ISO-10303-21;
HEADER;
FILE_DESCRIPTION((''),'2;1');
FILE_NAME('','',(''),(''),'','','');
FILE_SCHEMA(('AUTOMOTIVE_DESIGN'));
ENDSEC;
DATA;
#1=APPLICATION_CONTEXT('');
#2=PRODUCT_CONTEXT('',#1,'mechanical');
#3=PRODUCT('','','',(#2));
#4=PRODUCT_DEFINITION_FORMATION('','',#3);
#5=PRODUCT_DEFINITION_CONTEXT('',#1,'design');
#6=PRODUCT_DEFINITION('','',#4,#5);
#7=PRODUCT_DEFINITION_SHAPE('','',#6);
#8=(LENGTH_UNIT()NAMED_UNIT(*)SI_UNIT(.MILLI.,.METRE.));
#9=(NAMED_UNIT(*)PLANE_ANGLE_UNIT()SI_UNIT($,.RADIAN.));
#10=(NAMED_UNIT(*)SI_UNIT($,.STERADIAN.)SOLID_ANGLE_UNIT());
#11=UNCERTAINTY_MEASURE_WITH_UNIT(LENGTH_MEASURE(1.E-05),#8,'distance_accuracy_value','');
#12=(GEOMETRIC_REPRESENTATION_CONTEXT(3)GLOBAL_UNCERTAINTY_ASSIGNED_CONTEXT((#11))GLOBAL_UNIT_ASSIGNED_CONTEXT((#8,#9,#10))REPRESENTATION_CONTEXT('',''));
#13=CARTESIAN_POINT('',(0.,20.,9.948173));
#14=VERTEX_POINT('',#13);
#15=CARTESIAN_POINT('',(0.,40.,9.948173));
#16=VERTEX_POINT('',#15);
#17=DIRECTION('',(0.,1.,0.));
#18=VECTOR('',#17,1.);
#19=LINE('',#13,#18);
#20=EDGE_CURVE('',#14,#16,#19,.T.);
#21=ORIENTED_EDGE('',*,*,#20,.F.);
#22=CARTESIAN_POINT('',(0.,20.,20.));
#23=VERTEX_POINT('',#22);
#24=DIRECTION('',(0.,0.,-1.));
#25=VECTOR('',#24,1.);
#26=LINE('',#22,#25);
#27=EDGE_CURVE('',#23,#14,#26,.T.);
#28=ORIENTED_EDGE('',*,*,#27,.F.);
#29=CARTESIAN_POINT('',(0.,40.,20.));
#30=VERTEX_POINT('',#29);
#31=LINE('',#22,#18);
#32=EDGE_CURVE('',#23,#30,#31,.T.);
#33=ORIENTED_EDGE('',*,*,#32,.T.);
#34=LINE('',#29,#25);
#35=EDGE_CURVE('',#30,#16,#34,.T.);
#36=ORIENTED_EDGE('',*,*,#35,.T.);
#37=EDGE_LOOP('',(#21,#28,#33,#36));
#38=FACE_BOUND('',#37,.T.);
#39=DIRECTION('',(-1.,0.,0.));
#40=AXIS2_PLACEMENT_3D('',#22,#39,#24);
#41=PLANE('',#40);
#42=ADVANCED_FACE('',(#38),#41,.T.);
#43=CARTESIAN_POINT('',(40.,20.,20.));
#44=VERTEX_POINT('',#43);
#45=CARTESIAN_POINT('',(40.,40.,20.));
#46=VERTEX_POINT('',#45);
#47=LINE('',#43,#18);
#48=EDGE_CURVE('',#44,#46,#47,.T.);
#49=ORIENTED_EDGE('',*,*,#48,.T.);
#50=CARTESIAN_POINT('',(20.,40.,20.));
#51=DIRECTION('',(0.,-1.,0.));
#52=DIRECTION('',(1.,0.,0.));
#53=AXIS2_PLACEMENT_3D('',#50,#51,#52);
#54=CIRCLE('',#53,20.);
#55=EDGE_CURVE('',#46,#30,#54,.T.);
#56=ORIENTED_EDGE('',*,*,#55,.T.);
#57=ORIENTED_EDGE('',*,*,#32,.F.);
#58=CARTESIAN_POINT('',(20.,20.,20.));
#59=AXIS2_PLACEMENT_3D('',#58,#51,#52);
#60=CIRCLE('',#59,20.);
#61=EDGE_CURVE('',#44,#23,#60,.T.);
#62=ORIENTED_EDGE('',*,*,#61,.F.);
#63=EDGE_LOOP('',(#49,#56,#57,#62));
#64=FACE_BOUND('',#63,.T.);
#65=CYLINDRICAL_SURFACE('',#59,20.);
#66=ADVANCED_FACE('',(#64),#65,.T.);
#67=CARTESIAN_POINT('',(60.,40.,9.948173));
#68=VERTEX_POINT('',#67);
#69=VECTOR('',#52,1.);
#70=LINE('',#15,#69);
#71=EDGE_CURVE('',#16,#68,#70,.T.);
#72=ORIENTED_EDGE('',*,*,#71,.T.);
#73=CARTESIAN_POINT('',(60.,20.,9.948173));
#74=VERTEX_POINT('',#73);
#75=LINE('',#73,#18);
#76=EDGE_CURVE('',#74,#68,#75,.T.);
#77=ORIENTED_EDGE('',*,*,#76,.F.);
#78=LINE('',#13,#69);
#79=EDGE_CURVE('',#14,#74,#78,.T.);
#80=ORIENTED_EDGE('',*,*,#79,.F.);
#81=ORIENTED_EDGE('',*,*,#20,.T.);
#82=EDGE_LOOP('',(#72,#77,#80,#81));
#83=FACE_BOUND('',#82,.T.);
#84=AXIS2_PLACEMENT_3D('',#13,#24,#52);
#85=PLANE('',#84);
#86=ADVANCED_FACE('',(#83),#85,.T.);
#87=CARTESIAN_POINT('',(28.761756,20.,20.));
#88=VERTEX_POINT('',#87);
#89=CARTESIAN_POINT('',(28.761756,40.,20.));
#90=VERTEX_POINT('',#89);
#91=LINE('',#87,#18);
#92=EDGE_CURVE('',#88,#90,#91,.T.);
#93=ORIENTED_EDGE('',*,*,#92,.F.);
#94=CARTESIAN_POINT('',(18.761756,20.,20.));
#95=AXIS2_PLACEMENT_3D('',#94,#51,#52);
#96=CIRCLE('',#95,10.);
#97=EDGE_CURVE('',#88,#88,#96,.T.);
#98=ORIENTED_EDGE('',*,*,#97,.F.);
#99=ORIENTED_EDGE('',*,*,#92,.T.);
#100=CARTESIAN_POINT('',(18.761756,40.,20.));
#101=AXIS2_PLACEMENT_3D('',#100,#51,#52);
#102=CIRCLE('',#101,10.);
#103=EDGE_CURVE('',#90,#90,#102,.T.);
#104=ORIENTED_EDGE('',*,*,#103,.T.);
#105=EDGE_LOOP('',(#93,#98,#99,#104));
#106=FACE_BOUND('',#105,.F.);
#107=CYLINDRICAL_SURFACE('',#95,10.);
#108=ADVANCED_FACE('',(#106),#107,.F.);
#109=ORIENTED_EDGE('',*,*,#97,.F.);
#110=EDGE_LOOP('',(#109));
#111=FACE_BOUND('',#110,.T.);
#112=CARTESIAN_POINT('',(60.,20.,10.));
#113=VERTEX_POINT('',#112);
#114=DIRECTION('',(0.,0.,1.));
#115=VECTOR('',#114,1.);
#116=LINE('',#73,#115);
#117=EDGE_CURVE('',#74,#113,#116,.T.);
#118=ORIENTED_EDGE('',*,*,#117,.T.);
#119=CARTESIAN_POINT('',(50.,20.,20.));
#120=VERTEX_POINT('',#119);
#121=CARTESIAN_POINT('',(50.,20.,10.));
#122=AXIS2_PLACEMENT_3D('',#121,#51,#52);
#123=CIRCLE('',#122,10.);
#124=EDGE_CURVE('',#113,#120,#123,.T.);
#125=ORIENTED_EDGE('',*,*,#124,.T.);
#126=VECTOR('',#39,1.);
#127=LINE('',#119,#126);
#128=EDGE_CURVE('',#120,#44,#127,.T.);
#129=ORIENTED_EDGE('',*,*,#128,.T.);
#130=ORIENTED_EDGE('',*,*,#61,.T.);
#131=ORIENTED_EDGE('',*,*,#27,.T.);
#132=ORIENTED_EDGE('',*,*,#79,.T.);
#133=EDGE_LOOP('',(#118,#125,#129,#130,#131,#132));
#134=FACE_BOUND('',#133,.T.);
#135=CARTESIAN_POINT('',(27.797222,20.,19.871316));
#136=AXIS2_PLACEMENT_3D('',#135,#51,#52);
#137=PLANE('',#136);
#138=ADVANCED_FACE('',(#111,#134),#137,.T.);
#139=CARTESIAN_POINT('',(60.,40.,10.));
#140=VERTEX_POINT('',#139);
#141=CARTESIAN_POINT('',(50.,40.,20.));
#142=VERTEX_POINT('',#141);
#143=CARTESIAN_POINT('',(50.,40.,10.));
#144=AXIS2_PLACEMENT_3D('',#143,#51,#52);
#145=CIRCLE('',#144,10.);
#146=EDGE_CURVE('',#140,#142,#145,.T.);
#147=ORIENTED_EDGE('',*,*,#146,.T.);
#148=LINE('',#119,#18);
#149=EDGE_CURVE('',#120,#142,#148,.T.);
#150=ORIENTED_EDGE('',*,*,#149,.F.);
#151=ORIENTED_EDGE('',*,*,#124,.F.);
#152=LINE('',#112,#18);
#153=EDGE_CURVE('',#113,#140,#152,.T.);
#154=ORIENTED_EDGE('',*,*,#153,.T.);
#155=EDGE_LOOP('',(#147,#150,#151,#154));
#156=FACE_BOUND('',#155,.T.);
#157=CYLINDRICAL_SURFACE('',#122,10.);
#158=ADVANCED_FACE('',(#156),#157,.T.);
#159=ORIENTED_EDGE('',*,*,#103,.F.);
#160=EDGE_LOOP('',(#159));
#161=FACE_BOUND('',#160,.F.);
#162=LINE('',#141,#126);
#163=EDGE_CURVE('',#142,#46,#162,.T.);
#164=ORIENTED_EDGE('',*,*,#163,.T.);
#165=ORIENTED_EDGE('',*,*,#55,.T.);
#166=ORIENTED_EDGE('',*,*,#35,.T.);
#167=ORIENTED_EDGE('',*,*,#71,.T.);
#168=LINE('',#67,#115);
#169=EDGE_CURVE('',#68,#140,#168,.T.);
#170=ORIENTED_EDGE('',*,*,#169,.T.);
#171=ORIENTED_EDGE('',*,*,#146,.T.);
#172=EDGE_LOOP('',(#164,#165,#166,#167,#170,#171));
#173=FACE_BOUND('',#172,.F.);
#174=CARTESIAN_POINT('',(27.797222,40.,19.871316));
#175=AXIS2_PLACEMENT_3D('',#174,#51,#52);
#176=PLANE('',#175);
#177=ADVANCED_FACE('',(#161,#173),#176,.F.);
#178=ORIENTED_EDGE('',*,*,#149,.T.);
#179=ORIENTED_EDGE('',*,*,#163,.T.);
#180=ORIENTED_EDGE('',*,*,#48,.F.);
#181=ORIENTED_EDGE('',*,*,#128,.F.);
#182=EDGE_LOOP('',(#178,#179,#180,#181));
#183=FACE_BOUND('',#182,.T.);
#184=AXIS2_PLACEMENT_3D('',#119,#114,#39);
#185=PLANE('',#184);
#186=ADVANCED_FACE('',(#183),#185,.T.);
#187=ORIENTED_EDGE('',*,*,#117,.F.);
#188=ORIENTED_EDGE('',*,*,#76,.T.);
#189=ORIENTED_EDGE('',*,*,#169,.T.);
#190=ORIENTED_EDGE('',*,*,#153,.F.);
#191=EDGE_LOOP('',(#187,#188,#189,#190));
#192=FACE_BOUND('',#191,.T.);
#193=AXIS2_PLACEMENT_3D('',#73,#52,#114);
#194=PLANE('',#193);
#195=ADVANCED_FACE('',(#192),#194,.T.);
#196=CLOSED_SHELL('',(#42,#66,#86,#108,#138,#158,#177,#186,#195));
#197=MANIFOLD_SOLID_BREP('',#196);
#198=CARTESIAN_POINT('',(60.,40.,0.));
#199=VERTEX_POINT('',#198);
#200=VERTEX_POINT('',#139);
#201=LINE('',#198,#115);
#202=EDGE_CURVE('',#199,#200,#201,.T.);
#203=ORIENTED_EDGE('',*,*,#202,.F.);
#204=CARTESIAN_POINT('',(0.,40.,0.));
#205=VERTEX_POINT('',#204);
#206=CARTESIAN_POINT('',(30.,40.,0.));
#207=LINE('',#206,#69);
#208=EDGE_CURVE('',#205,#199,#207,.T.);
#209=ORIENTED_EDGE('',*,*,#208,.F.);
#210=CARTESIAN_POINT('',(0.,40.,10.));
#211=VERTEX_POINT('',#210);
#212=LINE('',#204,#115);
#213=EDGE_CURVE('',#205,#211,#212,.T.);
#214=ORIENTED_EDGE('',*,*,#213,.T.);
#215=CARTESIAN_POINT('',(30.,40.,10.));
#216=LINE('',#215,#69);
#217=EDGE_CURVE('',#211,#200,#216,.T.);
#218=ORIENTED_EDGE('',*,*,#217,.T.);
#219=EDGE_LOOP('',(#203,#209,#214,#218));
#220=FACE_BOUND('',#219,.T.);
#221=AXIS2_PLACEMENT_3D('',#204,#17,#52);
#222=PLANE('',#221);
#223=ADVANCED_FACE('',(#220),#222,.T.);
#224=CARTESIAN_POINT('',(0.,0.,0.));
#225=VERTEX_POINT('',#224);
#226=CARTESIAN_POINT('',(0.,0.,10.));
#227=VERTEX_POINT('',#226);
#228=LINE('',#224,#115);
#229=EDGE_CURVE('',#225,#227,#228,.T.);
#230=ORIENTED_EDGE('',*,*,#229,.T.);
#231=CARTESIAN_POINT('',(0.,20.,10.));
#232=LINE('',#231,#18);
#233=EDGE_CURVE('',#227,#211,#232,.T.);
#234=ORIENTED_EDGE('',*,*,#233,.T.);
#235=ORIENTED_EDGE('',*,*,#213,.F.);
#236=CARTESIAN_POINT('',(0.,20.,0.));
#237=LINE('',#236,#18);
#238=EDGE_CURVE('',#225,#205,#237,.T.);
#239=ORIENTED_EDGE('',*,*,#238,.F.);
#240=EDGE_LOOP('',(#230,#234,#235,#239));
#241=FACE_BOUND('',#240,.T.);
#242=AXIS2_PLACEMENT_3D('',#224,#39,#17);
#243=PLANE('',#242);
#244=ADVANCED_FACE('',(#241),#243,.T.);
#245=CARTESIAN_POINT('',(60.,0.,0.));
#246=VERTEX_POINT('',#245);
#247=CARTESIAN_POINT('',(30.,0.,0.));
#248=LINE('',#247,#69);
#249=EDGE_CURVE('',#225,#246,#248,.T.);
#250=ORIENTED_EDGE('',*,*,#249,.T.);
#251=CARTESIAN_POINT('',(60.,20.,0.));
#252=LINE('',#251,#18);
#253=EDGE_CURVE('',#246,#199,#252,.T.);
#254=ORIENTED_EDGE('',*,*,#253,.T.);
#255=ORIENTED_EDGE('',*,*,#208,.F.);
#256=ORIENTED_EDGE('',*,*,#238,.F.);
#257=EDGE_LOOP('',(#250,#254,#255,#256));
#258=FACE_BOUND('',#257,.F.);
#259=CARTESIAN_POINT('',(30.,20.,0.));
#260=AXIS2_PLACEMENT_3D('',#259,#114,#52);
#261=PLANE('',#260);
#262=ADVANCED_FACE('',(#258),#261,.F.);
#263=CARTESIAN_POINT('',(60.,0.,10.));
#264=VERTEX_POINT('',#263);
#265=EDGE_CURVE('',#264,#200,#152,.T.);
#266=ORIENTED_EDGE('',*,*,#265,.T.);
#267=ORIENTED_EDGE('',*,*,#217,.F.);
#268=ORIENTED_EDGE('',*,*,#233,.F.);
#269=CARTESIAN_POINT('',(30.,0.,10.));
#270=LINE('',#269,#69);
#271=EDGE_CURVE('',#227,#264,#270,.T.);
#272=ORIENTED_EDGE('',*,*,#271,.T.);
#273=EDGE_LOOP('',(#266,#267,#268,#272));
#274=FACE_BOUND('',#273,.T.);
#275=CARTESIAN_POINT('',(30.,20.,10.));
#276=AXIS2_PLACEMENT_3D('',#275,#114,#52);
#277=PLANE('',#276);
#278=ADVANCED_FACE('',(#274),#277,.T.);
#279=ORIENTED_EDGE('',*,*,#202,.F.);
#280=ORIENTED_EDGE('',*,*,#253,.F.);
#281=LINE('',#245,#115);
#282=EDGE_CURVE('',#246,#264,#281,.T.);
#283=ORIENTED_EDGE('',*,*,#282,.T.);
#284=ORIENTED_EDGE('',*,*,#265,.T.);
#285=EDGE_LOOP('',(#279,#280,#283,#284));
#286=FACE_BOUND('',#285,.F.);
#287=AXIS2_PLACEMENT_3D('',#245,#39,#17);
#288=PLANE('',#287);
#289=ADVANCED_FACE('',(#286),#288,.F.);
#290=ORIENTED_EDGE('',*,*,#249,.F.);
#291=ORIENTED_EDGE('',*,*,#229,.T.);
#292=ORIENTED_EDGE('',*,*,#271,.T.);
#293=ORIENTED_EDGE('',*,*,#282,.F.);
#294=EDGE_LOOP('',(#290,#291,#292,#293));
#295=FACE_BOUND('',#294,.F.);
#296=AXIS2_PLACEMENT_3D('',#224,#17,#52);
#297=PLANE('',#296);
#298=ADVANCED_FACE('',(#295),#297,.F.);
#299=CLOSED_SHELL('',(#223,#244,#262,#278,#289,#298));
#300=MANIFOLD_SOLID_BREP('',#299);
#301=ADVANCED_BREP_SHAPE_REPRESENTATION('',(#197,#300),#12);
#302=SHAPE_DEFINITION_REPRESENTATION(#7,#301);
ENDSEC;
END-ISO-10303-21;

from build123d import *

# Parameters (mm, degrees)
F0_W     = 60
F0_H     = 40
F1_DEPTH = 10
F3_START = -20
F3_DEPTH = 20
F4_R     = 10
F5_DEPTH = 25


with BuildPart() as f1:
    # F0 (on Top) → F1 (new body)
    with BuildSketch(Plane.XY):
        with Locations((30, 20)):
            Rectangle(F0_W, F0_H)
    extrude(amount=F1_DEPTH)


with BuildPart() as f3:
    # F2 (on Front) → F3 (new body)
    with BuildSketch(Plane.XZ.offset(F3_START)):
        with BuildLine():
            Line((50, 20), (40, 20))
            ThreePointArc((40, 20), (20, 40), (0, 20))
            Line((0, 20), (0, 9.9481726065))
            Line((0, 9.9481726065), (60, 9.9481726065))
            Line((60, 9.9481726065), (60, 10))
            ThreePointArc((60, 10), (57.0710678119, 17.0710678119), (50, 20))
        make_face()
    extrude(amount=-F3_DEPTH)

    # F4 (on face) → F5 (cut)
    with BuildSketch(Plane.XZ.offset(-20)):
        with Locations((18.7617558986, 20)):
            Circle(F4_R)
    extrude(amount=-F5_DEPTH, mode=Mode.SUBTRACT)


solid = Compound([f1.part, f3.part])
